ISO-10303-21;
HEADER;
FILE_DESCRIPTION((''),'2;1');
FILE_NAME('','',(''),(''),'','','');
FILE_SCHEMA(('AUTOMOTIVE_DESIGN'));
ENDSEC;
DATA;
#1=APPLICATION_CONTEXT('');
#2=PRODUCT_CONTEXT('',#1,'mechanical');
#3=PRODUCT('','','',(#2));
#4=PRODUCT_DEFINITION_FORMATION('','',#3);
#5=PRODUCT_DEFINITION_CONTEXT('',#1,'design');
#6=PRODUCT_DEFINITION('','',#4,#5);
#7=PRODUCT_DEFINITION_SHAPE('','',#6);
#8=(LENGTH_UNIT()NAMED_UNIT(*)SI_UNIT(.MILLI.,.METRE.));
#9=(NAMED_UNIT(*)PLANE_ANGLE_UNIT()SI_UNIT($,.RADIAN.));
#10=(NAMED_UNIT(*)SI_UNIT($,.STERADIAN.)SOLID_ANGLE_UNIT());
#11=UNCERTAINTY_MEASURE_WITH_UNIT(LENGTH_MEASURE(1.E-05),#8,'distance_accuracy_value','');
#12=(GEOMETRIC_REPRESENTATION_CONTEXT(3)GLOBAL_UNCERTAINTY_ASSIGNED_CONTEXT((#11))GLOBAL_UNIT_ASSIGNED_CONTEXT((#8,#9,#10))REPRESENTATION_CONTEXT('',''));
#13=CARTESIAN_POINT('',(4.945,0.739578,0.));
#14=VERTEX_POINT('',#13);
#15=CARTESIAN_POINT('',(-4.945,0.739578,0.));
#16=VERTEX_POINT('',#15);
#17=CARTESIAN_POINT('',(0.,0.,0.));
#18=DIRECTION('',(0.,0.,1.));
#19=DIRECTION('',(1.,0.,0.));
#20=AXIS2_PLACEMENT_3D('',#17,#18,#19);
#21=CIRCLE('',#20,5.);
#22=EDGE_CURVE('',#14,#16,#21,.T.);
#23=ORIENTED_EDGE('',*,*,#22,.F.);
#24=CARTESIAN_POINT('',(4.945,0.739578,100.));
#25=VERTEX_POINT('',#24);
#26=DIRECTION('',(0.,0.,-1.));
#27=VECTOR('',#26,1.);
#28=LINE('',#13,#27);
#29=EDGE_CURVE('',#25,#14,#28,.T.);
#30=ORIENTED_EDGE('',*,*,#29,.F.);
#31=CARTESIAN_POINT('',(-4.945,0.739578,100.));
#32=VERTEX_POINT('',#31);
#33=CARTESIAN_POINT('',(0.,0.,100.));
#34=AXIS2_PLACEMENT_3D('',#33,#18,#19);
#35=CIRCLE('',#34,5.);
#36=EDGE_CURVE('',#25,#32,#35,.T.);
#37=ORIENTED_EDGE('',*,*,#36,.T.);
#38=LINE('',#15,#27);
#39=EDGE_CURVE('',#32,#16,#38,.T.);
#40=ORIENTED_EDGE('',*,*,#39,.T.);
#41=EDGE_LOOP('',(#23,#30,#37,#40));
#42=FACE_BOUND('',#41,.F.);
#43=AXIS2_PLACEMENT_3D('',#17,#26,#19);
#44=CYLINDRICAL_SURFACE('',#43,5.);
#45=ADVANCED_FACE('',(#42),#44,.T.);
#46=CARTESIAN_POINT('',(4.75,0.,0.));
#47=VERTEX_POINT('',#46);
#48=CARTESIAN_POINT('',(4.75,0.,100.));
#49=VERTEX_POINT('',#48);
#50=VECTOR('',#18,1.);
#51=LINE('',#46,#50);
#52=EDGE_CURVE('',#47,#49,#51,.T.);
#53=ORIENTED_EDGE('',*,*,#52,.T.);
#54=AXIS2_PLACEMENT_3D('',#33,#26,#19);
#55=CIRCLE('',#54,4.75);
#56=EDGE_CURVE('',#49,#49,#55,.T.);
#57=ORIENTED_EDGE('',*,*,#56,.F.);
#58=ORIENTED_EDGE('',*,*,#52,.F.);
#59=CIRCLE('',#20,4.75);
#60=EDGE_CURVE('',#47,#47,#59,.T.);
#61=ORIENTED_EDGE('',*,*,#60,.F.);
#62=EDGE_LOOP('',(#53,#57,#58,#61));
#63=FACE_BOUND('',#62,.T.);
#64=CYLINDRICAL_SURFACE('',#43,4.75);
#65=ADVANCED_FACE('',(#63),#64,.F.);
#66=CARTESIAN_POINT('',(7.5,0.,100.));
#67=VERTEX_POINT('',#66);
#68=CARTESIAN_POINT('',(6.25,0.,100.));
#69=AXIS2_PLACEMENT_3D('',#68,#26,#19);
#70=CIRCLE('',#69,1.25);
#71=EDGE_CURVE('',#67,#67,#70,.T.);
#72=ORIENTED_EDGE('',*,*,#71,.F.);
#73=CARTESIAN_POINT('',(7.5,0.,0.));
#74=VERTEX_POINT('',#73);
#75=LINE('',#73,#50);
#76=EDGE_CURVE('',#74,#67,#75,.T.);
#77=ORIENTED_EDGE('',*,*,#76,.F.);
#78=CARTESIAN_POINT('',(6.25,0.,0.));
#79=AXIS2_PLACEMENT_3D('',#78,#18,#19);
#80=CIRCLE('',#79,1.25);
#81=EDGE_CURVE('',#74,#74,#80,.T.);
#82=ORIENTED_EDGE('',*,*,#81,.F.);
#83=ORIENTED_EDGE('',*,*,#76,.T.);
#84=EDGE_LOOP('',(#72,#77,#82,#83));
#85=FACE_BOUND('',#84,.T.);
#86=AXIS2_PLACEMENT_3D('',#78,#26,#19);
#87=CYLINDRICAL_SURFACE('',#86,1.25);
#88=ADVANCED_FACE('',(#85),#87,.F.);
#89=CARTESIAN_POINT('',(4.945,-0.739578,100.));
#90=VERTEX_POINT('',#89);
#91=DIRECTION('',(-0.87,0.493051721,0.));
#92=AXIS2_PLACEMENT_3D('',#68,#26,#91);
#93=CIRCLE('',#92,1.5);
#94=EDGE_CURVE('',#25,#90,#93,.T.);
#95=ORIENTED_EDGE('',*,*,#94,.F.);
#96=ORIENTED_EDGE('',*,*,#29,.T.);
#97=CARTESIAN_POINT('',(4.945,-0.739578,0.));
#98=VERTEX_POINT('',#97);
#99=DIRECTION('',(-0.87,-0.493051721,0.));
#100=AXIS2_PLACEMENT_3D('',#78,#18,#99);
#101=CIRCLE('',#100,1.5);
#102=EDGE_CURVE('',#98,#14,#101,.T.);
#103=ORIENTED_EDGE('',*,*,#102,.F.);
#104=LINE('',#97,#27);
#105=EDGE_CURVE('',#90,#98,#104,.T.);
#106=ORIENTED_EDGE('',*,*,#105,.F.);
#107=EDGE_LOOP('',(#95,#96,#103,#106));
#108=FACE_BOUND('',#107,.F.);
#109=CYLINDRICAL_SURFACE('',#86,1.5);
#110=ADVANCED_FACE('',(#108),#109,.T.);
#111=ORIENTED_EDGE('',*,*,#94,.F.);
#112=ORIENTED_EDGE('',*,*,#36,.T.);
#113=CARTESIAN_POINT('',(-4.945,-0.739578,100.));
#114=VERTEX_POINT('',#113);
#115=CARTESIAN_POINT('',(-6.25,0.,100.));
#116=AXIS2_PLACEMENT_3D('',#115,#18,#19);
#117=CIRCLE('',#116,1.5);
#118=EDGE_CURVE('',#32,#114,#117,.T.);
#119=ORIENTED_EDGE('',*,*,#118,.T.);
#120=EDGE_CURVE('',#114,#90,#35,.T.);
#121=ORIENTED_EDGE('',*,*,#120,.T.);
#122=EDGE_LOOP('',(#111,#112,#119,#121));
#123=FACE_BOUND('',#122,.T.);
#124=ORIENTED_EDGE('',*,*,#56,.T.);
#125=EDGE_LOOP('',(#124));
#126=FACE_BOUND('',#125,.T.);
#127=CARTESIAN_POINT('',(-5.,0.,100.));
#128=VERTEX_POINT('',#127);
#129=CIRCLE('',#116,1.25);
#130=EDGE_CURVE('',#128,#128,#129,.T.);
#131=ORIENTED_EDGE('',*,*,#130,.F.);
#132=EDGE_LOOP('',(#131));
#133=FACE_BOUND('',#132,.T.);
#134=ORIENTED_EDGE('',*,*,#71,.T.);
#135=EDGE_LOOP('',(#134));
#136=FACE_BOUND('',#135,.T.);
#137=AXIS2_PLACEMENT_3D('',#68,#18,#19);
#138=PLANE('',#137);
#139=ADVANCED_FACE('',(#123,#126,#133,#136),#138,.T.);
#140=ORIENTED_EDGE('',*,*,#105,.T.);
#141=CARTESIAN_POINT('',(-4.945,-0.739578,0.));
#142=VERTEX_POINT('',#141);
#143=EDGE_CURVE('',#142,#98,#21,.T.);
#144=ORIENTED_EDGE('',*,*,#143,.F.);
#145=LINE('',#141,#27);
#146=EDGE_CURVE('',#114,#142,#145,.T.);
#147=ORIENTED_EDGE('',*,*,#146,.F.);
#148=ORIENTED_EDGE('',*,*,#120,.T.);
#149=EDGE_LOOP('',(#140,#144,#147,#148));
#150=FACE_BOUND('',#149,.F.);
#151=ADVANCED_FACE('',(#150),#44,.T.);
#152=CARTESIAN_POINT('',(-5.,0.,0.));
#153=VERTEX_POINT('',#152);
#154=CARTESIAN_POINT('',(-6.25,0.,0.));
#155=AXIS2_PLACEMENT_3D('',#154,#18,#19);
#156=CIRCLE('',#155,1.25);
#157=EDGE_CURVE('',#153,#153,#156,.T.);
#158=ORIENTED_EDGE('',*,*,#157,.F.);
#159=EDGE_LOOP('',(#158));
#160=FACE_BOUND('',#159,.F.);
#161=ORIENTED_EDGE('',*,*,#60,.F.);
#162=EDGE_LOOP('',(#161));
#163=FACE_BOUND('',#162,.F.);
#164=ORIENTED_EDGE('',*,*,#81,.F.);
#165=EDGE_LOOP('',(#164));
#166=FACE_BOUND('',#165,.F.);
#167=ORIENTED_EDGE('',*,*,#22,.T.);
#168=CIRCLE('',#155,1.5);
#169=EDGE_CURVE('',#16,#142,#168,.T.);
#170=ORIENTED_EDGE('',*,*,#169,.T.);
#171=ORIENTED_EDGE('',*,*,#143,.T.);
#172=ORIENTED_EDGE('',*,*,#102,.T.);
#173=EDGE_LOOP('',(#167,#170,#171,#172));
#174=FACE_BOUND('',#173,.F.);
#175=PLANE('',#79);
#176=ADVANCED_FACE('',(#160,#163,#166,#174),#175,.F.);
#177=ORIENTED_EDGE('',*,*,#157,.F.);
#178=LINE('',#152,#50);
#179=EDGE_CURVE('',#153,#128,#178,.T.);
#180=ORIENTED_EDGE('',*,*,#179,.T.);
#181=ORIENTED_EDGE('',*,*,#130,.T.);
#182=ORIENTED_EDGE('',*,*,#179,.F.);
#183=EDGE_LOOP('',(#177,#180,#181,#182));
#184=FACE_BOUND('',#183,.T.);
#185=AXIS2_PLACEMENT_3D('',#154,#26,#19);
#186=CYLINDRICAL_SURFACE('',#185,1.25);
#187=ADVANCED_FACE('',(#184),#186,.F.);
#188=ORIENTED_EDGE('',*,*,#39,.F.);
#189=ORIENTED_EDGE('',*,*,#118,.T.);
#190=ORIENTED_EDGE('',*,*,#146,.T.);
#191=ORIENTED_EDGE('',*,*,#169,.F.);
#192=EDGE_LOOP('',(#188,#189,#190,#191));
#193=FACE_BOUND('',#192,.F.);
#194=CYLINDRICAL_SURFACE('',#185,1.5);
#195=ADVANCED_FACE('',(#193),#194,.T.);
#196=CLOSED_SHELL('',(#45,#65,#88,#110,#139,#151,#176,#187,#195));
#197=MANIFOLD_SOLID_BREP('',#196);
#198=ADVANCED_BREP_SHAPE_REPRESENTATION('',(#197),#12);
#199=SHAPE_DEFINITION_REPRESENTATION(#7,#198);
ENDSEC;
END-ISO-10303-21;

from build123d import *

# Parameters (mm, degrees)
F0_R     = 5
F0_R_2   = 4.75
F1_DEPTH = 100
F2_R     = 1.5
F2_R_2   = 1.25
F3_DEPTH = 100


with BuildPart() as f1:
    # F0 (on Top) → F1 (new body)
    with BuildSketch(Plane.XY):
        Circle(F0_R)
        Circle(F0_R_2, mode=Mode.SUBTRACT)
    extrude(amount=F1_DEPTH)

    # F2 (on Top) → F3 (join, through all)
    with BuildSketch(Plane.XY):
        with Locations((6.25, 0)):
            Circle(F2_R)
        with Locations((6.25, 0)):
            Circle(F2_R_2, mode=Mode.SUBTRACT)
        with Locations((-6.25, 0)):
            Circle(F2_R)
        with Locations((-6.25, 0)):
            Circle(F2_R_2, mode=Mode.SUBTRACT)
    extrude(amount=F3_DEPTH)


solid = f1.part
